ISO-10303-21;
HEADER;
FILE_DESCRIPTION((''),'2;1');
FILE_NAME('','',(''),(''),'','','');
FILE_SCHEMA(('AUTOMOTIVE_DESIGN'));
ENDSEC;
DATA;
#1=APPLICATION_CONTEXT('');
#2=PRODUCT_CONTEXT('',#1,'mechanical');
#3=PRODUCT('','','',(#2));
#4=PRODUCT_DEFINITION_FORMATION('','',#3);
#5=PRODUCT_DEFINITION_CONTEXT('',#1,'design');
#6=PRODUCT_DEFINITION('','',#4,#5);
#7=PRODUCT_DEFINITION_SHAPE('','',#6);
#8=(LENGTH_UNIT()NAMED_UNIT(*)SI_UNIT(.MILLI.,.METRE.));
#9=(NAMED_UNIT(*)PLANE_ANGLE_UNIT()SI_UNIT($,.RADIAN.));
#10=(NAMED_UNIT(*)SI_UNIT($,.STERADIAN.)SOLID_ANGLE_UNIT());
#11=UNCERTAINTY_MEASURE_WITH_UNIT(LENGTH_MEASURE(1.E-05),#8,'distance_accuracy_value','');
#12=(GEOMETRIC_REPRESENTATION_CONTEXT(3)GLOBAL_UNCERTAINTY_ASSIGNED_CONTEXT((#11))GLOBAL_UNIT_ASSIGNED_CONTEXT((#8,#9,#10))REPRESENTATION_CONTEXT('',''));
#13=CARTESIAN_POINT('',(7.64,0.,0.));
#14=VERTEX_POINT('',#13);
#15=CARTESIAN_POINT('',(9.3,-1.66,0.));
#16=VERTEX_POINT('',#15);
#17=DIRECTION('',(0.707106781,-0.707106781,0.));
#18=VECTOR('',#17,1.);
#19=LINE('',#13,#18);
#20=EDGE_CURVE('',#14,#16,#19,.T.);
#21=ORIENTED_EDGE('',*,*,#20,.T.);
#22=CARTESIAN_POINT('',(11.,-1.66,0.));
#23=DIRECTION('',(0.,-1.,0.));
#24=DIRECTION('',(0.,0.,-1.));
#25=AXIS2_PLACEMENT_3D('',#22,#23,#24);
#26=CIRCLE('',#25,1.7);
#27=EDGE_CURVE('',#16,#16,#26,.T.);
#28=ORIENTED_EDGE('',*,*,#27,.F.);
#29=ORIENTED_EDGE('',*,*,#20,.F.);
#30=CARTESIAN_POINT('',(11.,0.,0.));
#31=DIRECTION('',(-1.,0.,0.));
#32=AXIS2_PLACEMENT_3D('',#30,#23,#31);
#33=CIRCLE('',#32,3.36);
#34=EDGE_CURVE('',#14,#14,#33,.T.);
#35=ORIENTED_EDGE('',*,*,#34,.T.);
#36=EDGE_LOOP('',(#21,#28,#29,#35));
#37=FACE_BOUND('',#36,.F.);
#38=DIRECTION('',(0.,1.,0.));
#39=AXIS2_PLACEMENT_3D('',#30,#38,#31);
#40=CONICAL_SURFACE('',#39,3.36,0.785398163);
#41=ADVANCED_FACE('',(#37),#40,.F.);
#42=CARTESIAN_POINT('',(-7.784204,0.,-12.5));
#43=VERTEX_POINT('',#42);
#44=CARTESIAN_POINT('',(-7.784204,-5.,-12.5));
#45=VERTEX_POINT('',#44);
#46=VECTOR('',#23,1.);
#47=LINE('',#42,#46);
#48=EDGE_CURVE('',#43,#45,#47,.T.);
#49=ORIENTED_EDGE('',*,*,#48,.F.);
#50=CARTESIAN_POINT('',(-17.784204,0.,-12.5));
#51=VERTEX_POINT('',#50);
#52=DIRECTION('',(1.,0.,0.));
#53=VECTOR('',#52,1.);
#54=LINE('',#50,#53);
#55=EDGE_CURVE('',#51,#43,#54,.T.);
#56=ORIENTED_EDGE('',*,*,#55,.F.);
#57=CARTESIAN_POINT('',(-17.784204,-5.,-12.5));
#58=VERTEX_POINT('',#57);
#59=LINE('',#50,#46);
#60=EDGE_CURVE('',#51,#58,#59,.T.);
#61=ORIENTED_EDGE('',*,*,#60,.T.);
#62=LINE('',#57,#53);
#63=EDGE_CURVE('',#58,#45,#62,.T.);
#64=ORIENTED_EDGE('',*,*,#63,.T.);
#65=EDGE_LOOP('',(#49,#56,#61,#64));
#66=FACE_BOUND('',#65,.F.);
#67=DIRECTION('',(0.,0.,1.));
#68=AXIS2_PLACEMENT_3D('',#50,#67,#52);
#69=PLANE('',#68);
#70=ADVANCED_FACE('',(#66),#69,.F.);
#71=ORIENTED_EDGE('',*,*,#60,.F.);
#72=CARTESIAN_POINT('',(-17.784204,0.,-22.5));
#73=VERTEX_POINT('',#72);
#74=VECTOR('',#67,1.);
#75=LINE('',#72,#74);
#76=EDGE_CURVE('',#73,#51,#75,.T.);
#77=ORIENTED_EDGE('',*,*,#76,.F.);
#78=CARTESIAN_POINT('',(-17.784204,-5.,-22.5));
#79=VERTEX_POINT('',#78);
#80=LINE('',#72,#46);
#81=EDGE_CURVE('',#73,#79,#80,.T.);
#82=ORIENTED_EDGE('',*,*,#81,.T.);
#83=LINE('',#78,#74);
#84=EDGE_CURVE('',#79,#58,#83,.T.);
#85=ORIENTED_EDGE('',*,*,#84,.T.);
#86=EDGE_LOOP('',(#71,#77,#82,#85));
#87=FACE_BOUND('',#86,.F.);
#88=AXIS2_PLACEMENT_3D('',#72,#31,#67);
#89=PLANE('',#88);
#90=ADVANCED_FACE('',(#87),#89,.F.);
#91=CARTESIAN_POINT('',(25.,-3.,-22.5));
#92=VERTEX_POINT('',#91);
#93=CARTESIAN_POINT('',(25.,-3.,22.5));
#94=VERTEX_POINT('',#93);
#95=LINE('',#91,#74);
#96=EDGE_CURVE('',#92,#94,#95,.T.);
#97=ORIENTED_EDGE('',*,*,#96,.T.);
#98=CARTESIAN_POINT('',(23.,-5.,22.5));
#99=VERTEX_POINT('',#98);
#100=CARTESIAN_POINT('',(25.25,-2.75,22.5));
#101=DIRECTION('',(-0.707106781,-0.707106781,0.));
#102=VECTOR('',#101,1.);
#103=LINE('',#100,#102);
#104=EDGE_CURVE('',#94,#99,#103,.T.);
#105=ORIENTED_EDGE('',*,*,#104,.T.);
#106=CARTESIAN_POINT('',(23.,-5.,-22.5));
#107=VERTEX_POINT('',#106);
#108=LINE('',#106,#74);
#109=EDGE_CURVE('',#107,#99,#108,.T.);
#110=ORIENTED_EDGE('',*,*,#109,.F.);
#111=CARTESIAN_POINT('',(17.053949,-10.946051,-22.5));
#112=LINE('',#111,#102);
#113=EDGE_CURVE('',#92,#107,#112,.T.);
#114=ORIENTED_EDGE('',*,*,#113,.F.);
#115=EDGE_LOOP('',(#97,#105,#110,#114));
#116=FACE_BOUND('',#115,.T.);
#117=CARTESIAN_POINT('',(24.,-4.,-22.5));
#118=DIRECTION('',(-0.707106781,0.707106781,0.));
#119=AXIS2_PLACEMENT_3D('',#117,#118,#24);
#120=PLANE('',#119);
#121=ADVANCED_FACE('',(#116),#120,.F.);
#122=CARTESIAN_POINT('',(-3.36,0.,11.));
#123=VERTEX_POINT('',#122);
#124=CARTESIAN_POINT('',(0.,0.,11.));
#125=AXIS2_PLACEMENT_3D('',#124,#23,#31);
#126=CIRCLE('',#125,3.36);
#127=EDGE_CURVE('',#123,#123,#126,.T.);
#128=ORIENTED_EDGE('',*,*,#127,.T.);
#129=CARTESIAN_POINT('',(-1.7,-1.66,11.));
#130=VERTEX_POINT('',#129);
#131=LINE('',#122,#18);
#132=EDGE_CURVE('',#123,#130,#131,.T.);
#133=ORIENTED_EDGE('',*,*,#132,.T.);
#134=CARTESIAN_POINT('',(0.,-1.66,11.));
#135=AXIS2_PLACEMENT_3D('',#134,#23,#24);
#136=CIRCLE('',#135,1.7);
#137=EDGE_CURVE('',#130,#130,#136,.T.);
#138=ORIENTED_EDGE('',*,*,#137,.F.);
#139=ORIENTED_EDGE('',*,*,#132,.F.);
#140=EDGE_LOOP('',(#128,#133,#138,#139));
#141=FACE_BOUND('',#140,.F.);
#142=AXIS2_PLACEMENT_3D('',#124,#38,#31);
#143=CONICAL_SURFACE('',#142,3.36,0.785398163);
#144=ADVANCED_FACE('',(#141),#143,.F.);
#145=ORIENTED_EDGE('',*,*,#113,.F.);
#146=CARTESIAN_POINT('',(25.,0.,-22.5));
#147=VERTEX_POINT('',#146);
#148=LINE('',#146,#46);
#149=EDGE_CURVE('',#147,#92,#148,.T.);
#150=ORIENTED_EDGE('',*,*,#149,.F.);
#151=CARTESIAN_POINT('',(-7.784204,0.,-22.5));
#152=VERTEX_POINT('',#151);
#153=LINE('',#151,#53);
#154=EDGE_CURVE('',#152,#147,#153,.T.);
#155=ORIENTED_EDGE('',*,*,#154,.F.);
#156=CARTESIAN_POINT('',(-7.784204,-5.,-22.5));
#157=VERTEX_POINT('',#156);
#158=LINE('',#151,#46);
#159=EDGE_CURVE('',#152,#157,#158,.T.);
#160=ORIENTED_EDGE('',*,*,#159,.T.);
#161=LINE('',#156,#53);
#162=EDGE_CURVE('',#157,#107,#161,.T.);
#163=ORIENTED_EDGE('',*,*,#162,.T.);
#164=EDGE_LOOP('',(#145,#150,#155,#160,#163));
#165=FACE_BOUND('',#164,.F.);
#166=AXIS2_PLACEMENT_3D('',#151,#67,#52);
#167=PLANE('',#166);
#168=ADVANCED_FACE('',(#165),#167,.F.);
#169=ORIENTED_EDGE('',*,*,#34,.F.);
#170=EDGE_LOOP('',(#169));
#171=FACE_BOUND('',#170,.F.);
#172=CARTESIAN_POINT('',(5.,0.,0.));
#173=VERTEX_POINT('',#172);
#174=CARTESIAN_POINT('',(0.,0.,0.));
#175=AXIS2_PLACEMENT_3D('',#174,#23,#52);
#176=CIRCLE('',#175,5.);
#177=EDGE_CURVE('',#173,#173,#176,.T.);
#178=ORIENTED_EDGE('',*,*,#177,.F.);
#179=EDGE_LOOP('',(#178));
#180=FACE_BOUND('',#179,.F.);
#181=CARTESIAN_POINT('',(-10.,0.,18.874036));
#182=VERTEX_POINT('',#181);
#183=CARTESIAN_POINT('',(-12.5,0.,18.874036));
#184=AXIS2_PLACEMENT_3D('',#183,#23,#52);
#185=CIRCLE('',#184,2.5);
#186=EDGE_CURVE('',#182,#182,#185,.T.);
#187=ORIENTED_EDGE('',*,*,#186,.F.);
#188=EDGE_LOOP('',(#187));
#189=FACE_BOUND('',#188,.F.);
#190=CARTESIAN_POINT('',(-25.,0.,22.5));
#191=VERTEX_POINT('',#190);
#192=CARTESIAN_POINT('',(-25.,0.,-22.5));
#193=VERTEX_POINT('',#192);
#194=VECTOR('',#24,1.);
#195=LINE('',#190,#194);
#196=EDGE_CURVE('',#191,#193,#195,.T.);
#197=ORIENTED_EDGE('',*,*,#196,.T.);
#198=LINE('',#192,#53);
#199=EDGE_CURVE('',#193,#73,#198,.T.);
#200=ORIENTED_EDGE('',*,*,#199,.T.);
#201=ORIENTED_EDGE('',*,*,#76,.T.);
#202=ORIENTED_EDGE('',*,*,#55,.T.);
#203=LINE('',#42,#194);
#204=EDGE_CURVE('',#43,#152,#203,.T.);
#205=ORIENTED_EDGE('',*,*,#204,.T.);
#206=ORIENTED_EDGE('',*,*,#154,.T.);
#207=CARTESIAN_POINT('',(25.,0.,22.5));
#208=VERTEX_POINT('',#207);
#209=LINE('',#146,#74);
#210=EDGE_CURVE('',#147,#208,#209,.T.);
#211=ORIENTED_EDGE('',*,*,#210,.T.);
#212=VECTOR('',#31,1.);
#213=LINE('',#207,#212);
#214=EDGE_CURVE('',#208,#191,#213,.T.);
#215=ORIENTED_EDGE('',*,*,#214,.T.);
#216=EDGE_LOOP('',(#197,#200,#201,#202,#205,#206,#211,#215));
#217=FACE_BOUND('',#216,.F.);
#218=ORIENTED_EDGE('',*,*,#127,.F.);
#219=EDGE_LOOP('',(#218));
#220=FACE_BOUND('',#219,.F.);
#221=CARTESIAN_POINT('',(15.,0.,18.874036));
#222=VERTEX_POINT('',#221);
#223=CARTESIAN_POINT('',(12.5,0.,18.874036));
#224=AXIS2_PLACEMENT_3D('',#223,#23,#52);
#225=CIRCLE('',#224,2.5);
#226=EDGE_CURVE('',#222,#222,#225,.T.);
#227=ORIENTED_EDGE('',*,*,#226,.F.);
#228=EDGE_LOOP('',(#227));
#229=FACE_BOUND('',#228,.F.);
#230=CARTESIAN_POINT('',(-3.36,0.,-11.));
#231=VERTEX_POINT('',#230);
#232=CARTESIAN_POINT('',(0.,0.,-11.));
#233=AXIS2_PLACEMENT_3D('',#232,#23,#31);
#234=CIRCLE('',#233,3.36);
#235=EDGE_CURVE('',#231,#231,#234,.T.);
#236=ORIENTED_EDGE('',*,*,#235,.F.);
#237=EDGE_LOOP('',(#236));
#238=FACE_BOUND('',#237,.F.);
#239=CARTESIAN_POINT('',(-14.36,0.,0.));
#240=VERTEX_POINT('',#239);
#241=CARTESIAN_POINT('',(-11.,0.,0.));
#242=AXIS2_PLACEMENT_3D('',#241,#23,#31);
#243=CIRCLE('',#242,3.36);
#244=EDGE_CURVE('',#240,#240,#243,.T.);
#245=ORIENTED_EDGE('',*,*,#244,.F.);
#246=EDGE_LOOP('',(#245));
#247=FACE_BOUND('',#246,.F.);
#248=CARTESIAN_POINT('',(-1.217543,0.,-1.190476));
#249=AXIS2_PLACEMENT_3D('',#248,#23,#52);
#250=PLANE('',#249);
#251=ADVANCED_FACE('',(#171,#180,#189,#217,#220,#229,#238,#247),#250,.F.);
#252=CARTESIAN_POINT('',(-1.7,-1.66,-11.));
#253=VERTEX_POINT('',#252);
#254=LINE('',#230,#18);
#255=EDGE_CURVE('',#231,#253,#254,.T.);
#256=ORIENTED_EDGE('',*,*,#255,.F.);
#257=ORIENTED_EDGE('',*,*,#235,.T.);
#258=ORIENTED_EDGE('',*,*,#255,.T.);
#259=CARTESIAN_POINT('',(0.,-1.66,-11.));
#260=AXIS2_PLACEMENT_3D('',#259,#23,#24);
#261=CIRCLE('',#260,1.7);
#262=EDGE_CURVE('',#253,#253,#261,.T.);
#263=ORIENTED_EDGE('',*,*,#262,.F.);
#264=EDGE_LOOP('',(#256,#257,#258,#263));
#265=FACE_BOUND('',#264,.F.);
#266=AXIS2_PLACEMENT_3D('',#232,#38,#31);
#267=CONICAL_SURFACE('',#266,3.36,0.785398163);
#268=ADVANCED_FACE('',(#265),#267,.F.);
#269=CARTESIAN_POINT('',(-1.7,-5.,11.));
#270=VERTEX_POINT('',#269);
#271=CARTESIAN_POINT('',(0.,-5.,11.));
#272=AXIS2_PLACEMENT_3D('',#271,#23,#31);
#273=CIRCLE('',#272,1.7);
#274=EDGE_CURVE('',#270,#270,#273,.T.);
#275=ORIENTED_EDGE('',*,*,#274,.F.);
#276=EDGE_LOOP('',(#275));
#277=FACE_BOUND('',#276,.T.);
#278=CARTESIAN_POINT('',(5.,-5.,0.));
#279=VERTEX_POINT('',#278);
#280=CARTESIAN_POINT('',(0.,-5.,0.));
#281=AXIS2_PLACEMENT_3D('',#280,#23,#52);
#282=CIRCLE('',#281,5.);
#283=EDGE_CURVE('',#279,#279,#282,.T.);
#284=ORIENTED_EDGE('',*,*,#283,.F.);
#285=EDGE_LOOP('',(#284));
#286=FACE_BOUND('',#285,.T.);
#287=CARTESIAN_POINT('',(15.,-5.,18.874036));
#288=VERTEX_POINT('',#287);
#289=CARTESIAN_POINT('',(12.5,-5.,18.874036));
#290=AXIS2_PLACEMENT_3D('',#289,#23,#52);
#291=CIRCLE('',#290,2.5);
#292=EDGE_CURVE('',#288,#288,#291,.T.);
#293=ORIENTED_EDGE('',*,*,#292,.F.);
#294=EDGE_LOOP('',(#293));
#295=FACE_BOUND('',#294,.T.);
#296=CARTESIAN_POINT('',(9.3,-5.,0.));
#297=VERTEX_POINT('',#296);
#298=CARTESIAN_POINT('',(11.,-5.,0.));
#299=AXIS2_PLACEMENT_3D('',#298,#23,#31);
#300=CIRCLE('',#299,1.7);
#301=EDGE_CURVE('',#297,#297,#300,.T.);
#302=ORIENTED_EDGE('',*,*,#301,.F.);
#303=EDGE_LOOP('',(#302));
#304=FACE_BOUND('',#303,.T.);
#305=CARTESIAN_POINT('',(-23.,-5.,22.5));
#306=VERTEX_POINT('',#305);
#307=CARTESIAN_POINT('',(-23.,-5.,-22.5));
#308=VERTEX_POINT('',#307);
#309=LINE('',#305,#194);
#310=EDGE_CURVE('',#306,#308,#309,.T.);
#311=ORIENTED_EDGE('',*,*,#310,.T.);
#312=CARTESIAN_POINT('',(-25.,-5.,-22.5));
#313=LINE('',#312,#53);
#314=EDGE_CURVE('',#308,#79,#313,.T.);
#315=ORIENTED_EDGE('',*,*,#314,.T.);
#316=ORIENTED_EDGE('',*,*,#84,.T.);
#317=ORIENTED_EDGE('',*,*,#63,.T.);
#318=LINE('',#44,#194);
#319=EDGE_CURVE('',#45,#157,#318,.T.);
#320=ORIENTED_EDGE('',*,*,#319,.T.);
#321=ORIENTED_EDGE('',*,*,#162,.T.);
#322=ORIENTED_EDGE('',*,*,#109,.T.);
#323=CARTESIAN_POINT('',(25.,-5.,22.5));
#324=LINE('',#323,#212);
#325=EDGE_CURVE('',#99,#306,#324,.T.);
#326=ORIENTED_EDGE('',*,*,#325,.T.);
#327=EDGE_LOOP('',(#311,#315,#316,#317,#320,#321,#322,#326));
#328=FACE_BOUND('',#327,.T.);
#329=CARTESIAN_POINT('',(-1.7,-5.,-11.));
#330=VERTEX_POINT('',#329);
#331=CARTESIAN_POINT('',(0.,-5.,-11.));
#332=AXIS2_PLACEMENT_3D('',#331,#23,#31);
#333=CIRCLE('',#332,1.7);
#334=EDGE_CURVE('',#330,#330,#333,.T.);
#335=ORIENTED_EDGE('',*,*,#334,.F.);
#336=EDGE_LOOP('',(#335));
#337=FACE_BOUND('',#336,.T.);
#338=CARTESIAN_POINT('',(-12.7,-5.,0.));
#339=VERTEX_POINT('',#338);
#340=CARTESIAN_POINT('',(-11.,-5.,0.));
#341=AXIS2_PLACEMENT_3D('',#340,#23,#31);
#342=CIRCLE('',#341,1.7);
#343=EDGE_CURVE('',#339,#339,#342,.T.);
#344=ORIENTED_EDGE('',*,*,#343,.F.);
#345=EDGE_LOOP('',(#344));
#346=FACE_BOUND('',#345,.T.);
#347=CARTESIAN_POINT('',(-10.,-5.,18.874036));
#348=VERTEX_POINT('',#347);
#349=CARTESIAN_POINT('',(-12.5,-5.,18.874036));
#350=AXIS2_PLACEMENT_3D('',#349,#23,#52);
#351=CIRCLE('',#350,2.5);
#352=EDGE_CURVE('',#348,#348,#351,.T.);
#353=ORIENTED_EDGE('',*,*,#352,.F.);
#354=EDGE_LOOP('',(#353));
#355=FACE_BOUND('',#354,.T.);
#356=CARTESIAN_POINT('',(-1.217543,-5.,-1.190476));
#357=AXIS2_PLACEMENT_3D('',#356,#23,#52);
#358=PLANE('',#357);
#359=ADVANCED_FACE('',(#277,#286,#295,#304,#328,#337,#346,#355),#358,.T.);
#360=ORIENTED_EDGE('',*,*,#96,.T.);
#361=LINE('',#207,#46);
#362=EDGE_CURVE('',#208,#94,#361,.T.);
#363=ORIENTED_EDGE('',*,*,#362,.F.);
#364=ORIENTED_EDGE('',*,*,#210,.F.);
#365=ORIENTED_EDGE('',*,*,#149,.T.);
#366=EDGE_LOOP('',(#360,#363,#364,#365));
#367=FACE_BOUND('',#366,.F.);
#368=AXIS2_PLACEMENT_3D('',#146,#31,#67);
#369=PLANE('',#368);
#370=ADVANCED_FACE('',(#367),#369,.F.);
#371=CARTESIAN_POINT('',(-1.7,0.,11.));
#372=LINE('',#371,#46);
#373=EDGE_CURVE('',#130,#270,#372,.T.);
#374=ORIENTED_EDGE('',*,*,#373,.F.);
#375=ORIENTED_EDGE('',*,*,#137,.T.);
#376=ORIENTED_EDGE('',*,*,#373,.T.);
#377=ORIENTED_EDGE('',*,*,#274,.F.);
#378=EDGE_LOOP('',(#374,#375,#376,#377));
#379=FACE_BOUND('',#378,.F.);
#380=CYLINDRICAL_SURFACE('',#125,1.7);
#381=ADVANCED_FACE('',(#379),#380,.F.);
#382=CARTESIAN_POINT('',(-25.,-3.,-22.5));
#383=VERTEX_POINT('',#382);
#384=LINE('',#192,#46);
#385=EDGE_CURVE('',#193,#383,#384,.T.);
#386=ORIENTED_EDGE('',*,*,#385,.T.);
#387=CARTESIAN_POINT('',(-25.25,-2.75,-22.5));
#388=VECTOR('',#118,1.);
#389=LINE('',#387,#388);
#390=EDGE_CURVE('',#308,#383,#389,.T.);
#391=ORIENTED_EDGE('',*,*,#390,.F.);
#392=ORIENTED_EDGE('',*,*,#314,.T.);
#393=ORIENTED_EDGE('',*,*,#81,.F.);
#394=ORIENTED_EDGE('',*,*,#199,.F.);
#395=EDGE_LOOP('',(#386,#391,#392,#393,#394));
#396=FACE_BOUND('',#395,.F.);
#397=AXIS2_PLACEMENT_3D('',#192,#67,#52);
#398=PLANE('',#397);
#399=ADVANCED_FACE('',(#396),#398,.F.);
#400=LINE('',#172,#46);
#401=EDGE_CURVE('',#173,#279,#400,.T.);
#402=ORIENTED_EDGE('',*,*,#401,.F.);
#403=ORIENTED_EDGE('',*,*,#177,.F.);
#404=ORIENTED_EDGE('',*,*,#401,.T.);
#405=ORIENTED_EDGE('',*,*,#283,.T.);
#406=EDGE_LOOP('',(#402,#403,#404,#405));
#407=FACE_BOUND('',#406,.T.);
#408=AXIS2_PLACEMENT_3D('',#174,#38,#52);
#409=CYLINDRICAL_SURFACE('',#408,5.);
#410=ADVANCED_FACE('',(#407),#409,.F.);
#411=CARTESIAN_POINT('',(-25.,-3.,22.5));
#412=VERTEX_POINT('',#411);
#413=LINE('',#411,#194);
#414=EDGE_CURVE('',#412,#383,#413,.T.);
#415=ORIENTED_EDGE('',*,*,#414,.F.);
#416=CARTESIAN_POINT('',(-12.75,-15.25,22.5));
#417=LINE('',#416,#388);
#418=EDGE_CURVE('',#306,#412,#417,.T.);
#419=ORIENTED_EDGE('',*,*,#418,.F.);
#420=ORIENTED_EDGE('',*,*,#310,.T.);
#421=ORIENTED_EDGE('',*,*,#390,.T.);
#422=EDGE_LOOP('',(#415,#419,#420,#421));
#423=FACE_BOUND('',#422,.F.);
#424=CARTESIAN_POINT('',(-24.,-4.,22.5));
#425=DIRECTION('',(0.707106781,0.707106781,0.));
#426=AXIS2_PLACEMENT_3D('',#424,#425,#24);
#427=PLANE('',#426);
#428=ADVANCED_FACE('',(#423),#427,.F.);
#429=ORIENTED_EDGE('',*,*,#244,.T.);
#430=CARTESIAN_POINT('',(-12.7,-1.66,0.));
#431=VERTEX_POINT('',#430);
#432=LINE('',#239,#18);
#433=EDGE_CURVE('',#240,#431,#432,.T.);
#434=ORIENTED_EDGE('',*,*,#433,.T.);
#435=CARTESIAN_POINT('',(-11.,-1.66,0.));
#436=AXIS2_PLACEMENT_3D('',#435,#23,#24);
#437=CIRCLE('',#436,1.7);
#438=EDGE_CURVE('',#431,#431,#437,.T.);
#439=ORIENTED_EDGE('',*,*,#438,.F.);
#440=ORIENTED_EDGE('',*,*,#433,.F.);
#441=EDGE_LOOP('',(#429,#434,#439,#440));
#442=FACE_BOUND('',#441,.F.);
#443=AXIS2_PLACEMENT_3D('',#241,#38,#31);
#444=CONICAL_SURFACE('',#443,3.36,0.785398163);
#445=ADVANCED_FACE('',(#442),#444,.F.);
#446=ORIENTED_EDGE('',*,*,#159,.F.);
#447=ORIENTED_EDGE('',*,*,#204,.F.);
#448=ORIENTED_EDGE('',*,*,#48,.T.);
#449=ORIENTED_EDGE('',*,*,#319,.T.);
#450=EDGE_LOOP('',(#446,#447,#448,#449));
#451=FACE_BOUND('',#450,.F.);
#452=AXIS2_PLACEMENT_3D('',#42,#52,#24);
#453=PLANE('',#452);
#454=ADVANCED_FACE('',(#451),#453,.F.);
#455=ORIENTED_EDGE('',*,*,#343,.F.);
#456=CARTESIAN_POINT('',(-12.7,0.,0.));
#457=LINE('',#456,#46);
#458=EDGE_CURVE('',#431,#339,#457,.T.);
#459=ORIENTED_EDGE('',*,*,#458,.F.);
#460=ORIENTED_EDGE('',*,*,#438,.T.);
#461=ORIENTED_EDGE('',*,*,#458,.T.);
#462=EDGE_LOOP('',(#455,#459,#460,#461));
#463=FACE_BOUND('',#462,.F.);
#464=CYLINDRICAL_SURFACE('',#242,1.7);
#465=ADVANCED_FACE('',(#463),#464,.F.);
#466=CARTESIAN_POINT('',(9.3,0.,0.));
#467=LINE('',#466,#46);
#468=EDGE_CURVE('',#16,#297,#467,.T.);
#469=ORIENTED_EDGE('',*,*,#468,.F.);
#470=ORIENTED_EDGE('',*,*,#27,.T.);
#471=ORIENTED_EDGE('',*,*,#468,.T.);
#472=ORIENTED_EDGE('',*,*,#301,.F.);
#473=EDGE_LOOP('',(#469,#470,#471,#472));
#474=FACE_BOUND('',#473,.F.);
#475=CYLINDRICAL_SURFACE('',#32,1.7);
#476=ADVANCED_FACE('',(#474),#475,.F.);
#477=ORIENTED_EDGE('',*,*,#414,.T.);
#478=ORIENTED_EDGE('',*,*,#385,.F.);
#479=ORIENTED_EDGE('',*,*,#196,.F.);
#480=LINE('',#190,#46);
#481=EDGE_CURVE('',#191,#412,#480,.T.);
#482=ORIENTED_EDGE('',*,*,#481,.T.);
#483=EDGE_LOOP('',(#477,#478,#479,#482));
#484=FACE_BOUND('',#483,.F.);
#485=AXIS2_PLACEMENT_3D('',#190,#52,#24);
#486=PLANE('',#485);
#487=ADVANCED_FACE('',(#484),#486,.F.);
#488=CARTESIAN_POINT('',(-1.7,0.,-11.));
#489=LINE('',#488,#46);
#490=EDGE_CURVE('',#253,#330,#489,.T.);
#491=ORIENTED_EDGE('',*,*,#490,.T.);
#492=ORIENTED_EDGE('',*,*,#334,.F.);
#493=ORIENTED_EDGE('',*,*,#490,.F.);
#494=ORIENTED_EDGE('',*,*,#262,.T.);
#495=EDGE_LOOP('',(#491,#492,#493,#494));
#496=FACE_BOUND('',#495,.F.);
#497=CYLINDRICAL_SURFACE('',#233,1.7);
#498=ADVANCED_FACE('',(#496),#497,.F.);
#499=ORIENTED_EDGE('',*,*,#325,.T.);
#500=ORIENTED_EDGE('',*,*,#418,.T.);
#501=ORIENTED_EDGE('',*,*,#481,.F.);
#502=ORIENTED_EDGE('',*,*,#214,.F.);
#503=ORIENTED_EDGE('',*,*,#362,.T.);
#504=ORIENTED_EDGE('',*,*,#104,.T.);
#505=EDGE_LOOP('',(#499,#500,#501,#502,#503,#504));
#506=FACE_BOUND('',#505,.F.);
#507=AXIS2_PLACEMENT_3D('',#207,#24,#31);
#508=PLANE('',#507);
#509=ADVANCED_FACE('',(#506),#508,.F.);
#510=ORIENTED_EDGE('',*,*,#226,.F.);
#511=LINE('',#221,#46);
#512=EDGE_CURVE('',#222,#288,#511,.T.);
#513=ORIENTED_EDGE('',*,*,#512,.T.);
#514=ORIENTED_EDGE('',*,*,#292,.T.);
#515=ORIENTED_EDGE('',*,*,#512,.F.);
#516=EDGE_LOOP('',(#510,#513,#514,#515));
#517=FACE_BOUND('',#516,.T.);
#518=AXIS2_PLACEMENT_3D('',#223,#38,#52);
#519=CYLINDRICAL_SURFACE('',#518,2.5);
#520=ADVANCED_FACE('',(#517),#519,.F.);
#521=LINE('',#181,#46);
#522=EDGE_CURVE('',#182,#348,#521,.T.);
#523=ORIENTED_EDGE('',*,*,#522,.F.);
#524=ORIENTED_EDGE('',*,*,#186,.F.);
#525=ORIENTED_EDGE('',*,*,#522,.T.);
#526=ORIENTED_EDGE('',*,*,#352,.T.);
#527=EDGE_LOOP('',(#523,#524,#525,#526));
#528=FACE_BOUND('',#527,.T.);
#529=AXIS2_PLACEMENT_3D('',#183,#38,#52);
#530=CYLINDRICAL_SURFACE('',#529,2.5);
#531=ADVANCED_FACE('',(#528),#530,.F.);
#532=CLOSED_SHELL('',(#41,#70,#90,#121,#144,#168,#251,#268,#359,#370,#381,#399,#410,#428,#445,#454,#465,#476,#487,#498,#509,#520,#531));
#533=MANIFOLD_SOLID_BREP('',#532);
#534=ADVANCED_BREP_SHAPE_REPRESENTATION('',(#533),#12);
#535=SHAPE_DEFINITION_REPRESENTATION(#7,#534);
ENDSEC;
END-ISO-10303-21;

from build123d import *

# Parameters (mm, degrees)
F0_R           = 1.5
F0_R_2         = 2.5
F0_R_3         = 5
F1_DEPTH       = 5
F2_D           = 3.4
F2_CSINK_D     = 6.72
F2_CSINK_ANGLE = 90
F3_SIZE        = 2


with BuildPart() as f1:
    # F0 (on Front) → F1 (new body)
    with BuildSketch(Plane.XZ):
        Polygon((25, -22.5), (25, 22.5), (-25, 22.5), (-25, -22.5), (-17.784204334, -22.5), (-17.784204334, -12.5), (-7.784204334, -12.5), (-7.784204334, -22.5), align=None)
        with Locations((0, -11)):
            Circle(F0_R, mode=Mode.SUBTRACT)
        with Locations((-11, 0)):
            Circle(F0_R, mode=Mode.SUBTRACT)
        with Locations((-12.5, 18.8740361482)):
            Circle(F0_R_2, mode=Mode.SUBTRACT)
        Circle(F0_R_3, mode=Mode.SUBTRACT)
        with Locations((11, 0)):
            Circle(F0_R, mode=Mode.SUBTRACT)
        with Locations((0, 11)):
            Circle(F0_R, mode=Mode.SUBTRACT)
        with Locations((12.5, 18.8740361482)):
            Circle(F0_R_2, mode=Mode.SUBTRACT)
    extrude(amount=F1_DEPTH)

    # F2 (through all)
    with Locations(Plane(origin=(0, 0, 0), x_dir=(1, 0, 0), z_dir=(0, 1, 0))):
        with Locations((-11, 0), (11, 0), (0, -11), (0, 11)):
            CounterSinkHole(F2_D / 2, F2_CSINK_D / 2, counter_sink_angle=F2_CSINK_ANGLE)

    # F3
    f3_edges = [f1.edges().sort_by_distance(p)[0] for p in [
        (25, -5, 0),
        (-25, -5, 0),
    ]]
    chamfer(f3_edges, length=F3_SIZE)


solid = f1.part
